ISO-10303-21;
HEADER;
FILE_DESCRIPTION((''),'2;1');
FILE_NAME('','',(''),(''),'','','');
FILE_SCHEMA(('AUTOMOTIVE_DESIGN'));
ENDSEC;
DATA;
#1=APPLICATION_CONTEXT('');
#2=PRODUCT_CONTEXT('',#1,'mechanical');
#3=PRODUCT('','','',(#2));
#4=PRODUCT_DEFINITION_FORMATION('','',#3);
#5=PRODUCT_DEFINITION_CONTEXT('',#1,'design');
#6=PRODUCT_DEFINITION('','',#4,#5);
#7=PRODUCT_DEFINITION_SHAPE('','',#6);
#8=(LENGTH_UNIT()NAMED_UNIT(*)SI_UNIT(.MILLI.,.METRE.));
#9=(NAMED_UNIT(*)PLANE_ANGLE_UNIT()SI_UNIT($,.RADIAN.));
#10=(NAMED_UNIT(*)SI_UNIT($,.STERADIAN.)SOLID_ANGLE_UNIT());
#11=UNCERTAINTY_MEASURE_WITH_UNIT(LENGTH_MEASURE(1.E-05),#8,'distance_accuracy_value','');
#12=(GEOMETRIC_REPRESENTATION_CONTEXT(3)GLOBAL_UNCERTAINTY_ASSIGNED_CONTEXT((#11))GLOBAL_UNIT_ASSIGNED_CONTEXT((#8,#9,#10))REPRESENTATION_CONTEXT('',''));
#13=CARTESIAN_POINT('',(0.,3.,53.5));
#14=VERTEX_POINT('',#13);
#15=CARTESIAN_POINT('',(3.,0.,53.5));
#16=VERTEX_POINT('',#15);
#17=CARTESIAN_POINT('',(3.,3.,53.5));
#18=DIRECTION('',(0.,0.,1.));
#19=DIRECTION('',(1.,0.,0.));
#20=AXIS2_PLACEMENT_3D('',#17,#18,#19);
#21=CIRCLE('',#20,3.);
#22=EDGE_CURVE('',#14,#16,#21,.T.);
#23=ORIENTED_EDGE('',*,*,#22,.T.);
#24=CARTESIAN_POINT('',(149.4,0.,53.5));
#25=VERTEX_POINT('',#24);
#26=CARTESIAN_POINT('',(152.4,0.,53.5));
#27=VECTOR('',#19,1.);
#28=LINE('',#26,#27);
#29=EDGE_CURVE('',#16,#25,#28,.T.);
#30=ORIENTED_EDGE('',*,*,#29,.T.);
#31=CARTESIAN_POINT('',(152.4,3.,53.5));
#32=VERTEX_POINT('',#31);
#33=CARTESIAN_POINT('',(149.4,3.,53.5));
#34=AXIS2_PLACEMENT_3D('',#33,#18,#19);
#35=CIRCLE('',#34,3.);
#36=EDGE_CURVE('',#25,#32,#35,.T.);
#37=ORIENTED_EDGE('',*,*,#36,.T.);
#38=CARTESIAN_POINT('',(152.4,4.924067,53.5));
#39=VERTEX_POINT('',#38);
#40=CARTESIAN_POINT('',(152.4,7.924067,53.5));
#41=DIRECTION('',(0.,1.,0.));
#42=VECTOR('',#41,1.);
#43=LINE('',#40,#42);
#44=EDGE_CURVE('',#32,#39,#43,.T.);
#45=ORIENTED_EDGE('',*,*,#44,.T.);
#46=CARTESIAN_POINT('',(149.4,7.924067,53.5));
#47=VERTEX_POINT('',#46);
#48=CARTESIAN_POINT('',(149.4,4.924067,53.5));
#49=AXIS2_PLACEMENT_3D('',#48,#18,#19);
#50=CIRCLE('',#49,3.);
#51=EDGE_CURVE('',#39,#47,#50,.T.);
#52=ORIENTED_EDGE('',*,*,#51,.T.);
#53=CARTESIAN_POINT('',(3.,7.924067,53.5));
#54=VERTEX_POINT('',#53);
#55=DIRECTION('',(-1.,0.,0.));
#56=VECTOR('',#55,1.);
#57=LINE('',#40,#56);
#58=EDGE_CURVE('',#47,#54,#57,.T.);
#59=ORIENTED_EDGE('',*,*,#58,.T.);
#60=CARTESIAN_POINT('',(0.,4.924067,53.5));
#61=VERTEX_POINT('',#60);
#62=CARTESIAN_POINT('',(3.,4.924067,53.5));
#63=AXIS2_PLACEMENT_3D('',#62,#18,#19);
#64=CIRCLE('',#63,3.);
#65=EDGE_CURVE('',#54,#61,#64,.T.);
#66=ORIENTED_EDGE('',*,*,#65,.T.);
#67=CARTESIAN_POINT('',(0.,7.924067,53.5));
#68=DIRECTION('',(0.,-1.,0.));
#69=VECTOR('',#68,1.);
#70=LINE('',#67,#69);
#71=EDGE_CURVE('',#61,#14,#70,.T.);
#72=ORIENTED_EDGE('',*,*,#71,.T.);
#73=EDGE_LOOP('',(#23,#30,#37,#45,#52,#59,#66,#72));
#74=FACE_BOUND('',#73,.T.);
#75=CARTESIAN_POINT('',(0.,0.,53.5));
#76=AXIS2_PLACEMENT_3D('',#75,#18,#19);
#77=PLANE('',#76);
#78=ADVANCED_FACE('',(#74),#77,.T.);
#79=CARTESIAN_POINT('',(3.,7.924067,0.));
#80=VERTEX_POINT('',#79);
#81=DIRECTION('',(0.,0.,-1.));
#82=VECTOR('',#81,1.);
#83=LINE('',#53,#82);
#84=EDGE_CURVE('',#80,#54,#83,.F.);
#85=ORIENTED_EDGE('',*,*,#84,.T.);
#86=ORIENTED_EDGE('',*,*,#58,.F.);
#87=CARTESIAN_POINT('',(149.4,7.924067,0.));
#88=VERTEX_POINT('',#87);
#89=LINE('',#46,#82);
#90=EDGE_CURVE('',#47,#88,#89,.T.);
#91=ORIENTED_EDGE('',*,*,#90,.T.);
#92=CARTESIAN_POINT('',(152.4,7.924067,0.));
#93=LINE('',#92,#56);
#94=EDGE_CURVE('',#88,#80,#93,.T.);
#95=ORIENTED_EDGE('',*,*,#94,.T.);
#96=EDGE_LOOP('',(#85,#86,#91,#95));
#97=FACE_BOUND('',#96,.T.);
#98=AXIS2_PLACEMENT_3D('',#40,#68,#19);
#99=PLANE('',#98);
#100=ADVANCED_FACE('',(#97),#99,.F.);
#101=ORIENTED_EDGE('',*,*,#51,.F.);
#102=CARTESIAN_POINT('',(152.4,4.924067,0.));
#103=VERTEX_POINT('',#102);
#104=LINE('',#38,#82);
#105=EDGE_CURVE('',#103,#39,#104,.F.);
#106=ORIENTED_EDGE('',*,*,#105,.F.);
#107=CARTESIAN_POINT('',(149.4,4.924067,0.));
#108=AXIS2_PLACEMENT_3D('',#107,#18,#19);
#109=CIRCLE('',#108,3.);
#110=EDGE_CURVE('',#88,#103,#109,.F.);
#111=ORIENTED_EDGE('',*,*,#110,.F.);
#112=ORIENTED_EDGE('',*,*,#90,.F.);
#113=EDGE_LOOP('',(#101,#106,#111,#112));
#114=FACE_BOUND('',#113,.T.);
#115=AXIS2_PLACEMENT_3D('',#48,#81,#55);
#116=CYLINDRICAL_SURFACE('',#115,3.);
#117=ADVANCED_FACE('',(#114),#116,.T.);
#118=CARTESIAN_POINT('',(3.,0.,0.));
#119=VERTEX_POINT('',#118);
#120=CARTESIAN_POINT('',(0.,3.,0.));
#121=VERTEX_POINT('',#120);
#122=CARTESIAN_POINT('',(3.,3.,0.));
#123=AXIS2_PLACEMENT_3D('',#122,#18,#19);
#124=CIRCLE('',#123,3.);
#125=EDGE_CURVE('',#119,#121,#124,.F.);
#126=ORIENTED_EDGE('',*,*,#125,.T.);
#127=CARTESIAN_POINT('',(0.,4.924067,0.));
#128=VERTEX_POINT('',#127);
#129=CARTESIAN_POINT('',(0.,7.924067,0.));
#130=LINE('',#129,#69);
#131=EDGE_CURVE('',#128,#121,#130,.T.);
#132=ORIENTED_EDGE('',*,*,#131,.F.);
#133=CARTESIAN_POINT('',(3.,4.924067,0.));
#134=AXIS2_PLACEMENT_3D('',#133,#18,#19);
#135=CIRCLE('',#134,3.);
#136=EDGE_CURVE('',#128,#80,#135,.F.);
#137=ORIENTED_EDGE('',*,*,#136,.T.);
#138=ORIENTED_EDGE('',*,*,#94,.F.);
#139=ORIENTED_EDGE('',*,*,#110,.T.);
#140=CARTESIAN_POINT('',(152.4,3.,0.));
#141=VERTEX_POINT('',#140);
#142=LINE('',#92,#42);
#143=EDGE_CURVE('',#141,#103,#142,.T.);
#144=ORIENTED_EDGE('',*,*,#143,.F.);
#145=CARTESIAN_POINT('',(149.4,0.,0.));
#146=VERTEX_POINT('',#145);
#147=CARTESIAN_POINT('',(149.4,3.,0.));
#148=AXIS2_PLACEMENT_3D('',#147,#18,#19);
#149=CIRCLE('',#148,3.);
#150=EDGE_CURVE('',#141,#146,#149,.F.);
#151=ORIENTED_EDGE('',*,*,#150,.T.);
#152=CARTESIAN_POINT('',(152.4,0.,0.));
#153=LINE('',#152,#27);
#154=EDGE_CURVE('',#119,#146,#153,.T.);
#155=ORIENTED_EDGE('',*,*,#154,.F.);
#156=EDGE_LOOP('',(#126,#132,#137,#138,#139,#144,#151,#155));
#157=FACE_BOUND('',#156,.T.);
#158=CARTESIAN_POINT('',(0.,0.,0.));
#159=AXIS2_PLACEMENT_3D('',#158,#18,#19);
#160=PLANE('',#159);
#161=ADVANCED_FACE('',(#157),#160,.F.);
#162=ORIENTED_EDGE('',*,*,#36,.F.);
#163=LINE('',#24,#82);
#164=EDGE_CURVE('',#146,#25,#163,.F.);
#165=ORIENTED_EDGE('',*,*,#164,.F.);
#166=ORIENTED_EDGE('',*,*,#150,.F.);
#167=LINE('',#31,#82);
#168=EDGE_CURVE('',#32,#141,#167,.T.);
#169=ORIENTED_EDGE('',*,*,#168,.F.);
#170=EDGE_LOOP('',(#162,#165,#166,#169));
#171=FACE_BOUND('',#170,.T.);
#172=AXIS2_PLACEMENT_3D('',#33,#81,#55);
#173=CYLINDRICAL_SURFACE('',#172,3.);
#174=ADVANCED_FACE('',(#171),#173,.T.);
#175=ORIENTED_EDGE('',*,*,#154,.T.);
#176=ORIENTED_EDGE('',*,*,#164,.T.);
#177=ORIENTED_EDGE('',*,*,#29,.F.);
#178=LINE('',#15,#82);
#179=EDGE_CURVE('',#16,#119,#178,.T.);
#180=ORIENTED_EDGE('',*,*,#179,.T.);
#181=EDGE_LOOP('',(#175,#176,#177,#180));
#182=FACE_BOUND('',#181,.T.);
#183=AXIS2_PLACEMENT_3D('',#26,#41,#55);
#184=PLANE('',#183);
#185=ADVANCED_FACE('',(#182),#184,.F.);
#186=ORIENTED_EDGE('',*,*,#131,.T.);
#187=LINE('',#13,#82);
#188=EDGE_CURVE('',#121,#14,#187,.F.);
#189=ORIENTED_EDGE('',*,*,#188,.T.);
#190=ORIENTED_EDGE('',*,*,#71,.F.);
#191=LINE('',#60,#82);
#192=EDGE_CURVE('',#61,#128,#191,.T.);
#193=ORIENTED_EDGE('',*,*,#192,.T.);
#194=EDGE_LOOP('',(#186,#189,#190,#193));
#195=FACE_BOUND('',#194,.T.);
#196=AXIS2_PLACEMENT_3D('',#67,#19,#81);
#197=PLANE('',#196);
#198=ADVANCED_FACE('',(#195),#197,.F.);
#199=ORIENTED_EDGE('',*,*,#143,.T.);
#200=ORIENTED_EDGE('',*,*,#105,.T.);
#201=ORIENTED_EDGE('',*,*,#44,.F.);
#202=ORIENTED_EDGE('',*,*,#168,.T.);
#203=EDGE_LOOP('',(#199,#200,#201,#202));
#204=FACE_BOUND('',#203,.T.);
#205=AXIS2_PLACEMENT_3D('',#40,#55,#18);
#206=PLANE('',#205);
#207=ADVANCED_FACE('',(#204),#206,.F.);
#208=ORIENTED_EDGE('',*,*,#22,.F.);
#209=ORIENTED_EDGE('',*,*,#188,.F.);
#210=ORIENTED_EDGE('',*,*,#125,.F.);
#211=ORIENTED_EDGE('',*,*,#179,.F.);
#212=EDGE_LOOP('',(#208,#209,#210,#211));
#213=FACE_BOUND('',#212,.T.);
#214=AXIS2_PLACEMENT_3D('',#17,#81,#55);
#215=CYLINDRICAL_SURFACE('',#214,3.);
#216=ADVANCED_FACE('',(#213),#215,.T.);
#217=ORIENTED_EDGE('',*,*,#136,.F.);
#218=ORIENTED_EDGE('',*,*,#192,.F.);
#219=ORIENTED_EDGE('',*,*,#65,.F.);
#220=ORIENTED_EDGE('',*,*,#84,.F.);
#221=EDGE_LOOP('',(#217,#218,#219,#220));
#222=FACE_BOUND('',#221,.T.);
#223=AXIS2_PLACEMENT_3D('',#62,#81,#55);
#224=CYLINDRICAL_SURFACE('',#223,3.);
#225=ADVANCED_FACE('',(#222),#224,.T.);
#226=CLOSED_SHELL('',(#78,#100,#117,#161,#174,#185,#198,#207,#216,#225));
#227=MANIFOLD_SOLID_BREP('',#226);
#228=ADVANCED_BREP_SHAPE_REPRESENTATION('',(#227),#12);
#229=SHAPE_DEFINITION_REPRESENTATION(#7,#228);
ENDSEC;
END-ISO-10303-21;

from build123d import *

# Parameters (mm, degrees)
SKETCH2_W           = 152.4
SKETCH2_H           = 7.924066875
BOSS_EXTRUDE1_DEPTH = 53.499999934
FILLET1_R           = 3


with BuildPart() as part:
    # Sketch2 → Boss-Extrude1 (new body)
    with BuildSketch(Plane.XY):
        with Locations((76.2, 3.962033438)):
            Rectangle(SKETCH2_W, SKETCH2_H)
    extrude(amount=BOSS_EXTRUDE1_DEPTH)

    # Fillet1
    fillet1_edges = [part.edges().sort_by_distance(p)[0] for p in [
        (0, 0, 26.749999967),
        (0, 7.924066875, 26.749999967),
        (152.4, 7.924066875, 26.749999967),
        (152.4, 0, 26.749999967),
    ]]
    fillet(fillet1_edges, radius=FILLET1_R)


solid = part.part
